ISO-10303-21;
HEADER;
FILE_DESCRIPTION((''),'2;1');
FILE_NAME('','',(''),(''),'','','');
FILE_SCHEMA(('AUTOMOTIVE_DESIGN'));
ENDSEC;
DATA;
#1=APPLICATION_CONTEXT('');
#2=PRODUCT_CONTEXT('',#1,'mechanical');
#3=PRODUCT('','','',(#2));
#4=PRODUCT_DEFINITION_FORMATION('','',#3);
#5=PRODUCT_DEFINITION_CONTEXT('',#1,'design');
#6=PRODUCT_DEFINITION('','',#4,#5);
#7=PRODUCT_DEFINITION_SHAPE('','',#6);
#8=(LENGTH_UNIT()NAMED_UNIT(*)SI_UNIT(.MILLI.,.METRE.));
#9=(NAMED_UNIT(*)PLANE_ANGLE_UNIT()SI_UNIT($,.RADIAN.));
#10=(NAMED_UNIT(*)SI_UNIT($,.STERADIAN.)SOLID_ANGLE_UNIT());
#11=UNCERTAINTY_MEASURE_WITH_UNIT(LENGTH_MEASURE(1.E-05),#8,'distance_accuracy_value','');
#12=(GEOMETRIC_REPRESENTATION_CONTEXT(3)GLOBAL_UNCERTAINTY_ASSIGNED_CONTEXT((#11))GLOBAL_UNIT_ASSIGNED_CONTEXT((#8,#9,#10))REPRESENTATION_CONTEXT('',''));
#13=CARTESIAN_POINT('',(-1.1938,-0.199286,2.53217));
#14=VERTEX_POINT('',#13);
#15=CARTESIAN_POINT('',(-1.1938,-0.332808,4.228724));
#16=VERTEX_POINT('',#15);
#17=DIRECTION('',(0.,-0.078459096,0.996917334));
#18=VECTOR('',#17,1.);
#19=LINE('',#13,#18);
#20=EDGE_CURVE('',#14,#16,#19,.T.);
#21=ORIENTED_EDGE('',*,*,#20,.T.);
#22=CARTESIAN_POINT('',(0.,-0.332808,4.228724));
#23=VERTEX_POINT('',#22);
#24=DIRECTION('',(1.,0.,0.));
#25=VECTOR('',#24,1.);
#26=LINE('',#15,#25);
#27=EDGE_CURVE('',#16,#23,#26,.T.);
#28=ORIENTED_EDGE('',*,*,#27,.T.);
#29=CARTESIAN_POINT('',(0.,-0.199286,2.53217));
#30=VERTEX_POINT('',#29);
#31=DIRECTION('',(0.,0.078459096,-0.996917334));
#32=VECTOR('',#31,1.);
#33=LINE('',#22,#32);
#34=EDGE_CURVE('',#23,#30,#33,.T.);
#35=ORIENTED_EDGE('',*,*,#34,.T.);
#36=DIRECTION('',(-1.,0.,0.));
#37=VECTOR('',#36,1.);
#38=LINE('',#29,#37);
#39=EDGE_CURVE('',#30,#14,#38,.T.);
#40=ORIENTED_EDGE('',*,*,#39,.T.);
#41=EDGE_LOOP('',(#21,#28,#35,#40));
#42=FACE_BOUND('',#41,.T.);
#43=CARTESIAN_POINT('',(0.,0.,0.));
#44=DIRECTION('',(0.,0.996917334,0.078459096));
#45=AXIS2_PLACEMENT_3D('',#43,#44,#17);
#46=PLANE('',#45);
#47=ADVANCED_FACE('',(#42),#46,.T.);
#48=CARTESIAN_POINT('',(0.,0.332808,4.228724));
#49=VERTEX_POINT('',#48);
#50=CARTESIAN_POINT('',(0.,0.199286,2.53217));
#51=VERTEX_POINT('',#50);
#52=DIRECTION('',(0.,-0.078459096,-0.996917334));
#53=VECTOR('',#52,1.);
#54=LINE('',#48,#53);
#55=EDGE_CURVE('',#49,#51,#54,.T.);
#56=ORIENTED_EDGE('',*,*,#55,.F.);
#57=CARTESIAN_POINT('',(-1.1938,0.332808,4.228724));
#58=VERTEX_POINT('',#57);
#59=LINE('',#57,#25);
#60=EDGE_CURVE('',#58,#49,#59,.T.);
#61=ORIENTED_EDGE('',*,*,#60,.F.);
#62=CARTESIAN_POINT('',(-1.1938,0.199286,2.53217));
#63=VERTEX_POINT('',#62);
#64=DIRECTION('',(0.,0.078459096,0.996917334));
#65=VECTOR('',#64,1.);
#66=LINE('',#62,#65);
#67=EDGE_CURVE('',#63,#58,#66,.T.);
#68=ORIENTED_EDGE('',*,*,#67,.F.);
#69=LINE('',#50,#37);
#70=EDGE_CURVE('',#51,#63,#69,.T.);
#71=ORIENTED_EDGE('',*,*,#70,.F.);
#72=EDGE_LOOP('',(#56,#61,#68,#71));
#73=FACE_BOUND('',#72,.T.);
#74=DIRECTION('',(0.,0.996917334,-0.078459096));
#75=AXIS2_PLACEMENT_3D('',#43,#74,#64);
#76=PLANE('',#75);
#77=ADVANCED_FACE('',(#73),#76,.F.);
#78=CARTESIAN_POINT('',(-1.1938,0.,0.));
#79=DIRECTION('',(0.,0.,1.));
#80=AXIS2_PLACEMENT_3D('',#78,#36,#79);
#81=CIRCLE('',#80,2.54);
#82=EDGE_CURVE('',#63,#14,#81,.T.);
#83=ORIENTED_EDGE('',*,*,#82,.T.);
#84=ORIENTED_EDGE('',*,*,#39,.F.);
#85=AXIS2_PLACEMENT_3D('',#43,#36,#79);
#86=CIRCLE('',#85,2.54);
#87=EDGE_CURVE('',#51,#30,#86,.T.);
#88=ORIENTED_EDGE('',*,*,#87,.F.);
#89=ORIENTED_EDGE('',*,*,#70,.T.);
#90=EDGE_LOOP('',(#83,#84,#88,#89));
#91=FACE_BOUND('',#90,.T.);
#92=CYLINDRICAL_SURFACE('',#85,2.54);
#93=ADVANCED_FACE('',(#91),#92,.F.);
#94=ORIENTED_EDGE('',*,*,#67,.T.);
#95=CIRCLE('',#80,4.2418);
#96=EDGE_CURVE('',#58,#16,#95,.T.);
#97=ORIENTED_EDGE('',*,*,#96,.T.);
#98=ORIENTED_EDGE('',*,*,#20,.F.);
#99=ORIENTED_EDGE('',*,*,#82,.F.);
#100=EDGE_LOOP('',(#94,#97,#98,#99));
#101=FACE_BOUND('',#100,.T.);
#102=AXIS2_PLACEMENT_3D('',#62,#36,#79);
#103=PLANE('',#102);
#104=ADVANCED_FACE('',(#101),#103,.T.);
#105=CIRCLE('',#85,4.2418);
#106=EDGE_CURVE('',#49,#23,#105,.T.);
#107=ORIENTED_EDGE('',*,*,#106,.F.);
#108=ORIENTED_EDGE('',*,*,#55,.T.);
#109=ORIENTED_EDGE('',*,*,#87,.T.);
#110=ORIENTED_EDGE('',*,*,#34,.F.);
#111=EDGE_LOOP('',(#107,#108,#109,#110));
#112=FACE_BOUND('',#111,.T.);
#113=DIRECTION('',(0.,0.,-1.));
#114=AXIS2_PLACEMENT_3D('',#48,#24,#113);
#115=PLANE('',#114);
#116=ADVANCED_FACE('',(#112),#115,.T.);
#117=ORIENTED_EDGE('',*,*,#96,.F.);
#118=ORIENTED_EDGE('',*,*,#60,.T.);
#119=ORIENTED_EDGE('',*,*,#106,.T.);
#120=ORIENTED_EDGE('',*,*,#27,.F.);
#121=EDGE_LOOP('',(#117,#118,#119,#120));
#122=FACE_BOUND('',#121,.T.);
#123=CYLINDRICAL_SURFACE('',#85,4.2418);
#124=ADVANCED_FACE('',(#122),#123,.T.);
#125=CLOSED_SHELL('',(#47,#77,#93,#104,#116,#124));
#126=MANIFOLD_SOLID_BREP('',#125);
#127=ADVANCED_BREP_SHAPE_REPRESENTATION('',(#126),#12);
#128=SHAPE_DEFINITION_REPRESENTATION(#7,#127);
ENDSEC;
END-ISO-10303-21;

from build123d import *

# Parameters (mm, degrees)
SKETCH1_W      = 1.1938
SKETCH1_H      = 1.7018
REVOLVE1_ANGLE = 351


with BuildPart() as part:
    # Sketch1 → Revolve1 (revolve)
    with BuildSketch(Plane(origin=(0, 0, 0), x_dir=(-1, 0, 0), z_dir=(0, 0.996917333733128, 0.07845909572784565))):
        with Locations((0.5969, 3.3909)):
            Rectangle(SKETCH1_W, SKETCH1_H)
    revolve(axis=Axis((0, 0, 0), (1, 0, 0)), revolution_arc=REVOLVE1_ANGLE)


solid = part.part
